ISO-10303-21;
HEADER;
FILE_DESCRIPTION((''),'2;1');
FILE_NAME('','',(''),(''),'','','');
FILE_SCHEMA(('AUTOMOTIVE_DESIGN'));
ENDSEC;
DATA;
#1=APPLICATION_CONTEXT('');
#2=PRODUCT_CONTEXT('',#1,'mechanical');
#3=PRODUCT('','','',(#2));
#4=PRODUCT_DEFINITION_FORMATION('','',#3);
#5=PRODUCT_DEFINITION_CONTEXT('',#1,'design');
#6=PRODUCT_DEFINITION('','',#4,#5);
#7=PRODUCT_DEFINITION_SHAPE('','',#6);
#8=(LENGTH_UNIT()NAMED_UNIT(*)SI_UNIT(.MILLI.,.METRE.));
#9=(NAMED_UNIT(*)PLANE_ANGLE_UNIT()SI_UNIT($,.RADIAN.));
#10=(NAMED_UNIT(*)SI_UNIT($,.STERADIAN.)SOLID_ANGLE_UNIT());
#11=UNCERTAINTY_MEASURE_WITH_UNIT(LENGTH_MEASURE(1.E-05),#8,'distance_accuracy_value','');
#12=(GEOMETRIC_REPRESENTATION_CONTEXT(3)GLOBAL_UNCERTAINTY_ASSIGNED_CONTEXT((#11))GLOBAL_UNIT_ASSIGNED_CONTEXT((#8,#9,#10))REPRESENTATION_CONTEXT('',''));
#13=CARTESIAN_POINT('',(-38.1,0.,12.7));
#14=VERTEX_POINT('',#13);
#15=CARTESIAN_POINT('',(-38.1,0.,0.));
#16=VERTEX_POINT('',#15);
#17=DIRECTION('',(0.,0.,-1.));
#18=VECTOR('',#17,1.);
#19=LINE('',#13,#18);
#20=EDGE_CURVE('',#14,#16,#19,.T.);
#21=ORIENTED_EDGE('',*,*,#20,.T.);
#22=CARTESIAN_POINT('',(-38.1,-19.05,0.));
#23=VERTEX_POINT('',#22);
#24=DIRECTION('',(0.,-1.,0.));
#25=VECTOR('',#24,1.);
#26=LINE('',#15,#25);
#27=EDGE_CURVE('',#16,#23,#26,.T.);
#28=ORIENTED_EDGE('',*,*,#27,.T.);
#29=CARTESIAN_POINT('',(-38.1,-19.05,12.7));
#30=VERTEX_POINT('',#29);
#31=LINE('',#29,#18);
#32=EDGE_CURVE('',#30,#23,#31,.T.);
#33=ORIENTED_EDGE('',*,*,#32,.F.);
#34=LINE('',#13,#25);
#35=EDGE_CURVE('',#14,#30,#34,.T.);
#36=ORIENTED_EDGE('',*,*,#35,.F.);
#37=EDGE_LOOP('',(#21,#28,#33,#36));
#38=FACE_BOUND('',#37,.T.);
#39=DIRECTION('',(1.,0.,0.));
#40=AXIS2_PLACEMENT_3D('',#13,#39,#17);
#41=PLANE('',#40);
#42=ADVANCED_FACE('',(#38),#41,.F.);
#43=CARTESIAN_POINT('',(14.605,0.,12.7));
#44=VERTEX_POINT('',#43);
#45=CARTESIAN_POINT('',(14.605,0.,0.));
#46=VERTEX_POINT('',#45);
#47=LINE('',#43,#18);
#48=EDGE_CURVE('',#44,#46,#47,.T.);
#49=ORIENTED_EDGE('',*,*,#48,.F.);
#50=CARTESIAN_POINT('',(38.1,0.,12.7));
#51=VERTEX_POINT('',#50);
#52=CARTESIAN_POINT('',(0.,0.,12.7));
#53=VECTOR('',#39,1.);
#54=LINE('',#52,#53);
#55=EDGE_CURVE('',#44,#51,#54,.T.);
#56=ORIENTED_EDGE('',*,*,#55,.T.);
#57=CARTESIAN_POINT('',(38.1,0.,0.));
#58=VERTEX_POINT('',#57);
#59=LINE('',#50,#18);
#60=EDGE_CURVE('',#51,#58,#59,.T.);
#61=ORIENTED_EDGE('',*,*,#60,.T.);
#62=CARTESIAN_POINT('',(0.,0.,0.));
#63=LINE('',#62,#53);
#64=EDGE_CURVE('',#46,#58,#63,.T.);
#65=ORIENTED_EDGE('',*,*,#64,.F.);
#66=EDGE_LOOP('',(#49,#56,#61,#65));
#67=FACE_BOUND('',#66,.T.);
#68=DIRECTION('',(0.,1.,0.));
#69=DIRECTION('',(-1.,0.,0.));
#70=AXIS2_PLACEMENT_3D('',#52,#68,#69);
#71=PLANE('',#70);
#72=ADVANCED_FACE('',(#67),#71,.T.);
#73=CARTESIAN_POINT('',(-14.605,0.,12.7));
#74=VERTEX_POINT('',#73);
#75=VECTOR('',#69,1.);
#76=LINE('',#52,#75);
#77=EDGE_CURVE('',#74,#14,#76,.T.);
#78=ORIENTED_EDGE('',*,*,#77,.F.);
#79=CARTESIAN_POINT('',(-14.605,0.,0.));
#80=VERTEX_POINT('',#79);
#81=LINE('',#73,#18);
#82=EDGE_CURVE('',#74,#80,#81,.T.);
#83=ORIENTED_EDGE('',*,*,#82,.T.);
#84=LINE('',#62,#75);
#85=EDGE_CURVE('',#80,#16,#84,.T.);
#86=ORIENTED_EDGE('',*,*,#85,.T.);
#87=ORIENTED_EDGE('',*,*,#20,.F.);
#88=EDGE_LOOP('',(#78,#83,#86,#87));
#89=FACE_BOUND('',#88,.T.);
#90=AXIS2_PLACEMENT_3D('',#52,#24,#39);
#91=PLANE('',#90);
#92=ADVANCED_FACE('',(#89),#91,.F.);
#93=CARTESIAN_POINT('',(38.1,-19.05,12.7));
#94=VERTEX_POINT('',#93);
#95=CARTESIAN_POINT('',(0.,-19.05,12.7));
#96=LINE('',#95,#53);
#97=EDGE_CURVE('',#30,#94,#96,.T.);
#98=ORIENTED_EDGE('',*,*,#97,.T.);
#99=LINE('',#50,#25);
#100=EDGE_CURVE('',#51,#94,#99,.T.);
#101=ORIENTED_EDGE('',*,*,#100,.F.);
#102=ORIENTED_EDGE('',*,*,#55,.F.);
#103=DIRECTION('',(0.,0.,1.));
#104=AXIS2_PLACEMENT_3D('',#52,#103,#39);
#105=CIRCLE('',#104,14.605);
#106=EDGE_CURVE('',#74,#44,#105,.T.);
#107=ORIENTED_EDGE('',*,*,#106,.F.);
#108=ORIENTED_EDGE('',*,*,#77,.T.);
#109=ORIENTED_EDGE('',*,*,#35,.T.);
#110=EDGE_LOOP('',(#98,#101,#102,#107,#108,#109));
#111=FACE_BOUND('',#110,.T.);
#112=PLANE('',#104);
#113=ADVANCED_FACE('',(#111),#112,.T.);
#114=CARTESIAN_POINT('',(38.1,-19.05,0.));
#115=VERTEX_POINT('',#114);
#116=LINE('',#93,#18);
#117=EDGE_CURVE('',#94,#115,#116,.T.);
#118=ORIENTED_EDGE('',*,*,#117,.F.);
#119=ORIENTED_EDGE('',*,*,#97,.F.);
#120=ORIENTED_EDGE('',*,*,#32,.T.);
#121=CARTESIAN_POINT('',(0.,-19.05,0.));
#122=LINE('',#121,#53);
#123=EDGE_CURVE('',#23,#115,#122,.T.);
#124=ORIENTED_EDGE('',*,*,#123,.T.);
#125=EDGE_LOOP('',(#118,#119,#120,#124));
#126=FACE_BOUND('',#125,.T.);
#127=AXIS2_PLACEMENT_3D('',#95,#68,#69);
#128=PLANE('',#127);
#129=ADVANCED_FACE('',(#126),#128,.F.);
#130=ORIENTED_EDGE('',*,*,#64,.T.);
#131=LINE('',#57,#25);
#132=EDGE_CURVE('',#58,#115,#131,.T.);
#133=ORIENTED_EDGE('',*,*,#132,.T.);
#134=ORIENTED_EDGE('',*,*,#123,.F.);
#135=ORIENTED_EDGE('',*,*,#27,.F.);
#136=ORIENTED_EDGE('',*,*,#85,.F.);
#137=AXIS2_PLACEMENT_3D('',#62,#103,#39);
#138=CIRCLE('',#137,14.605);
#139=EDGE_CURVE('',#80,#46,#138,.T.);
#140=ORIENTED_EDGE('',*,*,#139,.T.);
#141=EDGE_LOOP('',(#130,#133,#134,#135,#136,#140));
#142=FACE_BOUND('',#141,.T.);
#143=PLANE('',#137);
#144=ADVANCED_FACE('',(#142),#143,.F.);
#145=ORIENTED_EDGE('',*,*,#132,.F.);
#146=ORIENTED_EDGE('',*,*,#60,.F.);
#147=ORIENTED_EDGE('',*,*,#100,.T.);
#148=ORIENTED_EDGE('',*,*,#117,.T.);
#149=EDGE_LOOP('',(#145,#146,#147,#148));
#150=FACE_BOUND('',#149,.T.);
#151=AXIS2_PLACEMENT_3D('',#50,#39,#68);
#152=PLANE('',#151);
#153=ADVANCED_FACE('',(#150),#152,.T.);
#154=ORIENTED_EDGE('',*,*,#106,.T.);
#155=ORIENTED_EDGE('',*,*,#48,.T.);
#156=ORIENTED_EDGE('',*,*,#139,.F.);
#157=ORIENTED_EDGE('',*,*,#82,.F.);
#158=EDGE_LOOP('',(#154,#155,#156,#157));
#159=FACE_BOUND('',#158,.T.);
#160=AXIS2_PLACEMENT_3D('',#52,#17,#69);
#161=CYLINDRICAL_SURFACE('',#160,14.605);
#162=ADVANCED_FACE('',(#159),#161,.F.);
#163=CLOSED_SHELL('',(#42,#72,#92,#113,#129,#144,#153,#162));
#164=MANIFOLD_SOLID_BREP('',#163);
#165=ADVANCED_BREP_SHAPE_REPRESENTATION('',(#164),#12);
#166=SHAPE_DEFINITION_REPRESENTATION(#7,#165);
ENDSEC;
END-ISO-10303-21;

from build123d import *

# Parameters (mm, degrees)
BOSS_EXTRUDE1_DEPTH = 12.7


with BuildPart() as part:
    # Sketch1 → Boss-Extrude1 (new body)
    with BuildSketch(Plane.XY):
        with BuildLine():
            Line((-38.1, -19.05), (38.1, -19.05))
            Line((38.1, -19.05), (38.1, 0))
            Line((38.1, 0), (14.605, 0))
            ThreePointArc((14.605, 0), (0, -14.605), (-14.605, 0))
            Line((-14.605, 0), (-38.1, 0))
            Line((-38.1, 0), (-38.1, -19.05))
        make_face()
    extrude(amount=BOSS_EXTRUDE1_DEPTH)


solid = part.part
